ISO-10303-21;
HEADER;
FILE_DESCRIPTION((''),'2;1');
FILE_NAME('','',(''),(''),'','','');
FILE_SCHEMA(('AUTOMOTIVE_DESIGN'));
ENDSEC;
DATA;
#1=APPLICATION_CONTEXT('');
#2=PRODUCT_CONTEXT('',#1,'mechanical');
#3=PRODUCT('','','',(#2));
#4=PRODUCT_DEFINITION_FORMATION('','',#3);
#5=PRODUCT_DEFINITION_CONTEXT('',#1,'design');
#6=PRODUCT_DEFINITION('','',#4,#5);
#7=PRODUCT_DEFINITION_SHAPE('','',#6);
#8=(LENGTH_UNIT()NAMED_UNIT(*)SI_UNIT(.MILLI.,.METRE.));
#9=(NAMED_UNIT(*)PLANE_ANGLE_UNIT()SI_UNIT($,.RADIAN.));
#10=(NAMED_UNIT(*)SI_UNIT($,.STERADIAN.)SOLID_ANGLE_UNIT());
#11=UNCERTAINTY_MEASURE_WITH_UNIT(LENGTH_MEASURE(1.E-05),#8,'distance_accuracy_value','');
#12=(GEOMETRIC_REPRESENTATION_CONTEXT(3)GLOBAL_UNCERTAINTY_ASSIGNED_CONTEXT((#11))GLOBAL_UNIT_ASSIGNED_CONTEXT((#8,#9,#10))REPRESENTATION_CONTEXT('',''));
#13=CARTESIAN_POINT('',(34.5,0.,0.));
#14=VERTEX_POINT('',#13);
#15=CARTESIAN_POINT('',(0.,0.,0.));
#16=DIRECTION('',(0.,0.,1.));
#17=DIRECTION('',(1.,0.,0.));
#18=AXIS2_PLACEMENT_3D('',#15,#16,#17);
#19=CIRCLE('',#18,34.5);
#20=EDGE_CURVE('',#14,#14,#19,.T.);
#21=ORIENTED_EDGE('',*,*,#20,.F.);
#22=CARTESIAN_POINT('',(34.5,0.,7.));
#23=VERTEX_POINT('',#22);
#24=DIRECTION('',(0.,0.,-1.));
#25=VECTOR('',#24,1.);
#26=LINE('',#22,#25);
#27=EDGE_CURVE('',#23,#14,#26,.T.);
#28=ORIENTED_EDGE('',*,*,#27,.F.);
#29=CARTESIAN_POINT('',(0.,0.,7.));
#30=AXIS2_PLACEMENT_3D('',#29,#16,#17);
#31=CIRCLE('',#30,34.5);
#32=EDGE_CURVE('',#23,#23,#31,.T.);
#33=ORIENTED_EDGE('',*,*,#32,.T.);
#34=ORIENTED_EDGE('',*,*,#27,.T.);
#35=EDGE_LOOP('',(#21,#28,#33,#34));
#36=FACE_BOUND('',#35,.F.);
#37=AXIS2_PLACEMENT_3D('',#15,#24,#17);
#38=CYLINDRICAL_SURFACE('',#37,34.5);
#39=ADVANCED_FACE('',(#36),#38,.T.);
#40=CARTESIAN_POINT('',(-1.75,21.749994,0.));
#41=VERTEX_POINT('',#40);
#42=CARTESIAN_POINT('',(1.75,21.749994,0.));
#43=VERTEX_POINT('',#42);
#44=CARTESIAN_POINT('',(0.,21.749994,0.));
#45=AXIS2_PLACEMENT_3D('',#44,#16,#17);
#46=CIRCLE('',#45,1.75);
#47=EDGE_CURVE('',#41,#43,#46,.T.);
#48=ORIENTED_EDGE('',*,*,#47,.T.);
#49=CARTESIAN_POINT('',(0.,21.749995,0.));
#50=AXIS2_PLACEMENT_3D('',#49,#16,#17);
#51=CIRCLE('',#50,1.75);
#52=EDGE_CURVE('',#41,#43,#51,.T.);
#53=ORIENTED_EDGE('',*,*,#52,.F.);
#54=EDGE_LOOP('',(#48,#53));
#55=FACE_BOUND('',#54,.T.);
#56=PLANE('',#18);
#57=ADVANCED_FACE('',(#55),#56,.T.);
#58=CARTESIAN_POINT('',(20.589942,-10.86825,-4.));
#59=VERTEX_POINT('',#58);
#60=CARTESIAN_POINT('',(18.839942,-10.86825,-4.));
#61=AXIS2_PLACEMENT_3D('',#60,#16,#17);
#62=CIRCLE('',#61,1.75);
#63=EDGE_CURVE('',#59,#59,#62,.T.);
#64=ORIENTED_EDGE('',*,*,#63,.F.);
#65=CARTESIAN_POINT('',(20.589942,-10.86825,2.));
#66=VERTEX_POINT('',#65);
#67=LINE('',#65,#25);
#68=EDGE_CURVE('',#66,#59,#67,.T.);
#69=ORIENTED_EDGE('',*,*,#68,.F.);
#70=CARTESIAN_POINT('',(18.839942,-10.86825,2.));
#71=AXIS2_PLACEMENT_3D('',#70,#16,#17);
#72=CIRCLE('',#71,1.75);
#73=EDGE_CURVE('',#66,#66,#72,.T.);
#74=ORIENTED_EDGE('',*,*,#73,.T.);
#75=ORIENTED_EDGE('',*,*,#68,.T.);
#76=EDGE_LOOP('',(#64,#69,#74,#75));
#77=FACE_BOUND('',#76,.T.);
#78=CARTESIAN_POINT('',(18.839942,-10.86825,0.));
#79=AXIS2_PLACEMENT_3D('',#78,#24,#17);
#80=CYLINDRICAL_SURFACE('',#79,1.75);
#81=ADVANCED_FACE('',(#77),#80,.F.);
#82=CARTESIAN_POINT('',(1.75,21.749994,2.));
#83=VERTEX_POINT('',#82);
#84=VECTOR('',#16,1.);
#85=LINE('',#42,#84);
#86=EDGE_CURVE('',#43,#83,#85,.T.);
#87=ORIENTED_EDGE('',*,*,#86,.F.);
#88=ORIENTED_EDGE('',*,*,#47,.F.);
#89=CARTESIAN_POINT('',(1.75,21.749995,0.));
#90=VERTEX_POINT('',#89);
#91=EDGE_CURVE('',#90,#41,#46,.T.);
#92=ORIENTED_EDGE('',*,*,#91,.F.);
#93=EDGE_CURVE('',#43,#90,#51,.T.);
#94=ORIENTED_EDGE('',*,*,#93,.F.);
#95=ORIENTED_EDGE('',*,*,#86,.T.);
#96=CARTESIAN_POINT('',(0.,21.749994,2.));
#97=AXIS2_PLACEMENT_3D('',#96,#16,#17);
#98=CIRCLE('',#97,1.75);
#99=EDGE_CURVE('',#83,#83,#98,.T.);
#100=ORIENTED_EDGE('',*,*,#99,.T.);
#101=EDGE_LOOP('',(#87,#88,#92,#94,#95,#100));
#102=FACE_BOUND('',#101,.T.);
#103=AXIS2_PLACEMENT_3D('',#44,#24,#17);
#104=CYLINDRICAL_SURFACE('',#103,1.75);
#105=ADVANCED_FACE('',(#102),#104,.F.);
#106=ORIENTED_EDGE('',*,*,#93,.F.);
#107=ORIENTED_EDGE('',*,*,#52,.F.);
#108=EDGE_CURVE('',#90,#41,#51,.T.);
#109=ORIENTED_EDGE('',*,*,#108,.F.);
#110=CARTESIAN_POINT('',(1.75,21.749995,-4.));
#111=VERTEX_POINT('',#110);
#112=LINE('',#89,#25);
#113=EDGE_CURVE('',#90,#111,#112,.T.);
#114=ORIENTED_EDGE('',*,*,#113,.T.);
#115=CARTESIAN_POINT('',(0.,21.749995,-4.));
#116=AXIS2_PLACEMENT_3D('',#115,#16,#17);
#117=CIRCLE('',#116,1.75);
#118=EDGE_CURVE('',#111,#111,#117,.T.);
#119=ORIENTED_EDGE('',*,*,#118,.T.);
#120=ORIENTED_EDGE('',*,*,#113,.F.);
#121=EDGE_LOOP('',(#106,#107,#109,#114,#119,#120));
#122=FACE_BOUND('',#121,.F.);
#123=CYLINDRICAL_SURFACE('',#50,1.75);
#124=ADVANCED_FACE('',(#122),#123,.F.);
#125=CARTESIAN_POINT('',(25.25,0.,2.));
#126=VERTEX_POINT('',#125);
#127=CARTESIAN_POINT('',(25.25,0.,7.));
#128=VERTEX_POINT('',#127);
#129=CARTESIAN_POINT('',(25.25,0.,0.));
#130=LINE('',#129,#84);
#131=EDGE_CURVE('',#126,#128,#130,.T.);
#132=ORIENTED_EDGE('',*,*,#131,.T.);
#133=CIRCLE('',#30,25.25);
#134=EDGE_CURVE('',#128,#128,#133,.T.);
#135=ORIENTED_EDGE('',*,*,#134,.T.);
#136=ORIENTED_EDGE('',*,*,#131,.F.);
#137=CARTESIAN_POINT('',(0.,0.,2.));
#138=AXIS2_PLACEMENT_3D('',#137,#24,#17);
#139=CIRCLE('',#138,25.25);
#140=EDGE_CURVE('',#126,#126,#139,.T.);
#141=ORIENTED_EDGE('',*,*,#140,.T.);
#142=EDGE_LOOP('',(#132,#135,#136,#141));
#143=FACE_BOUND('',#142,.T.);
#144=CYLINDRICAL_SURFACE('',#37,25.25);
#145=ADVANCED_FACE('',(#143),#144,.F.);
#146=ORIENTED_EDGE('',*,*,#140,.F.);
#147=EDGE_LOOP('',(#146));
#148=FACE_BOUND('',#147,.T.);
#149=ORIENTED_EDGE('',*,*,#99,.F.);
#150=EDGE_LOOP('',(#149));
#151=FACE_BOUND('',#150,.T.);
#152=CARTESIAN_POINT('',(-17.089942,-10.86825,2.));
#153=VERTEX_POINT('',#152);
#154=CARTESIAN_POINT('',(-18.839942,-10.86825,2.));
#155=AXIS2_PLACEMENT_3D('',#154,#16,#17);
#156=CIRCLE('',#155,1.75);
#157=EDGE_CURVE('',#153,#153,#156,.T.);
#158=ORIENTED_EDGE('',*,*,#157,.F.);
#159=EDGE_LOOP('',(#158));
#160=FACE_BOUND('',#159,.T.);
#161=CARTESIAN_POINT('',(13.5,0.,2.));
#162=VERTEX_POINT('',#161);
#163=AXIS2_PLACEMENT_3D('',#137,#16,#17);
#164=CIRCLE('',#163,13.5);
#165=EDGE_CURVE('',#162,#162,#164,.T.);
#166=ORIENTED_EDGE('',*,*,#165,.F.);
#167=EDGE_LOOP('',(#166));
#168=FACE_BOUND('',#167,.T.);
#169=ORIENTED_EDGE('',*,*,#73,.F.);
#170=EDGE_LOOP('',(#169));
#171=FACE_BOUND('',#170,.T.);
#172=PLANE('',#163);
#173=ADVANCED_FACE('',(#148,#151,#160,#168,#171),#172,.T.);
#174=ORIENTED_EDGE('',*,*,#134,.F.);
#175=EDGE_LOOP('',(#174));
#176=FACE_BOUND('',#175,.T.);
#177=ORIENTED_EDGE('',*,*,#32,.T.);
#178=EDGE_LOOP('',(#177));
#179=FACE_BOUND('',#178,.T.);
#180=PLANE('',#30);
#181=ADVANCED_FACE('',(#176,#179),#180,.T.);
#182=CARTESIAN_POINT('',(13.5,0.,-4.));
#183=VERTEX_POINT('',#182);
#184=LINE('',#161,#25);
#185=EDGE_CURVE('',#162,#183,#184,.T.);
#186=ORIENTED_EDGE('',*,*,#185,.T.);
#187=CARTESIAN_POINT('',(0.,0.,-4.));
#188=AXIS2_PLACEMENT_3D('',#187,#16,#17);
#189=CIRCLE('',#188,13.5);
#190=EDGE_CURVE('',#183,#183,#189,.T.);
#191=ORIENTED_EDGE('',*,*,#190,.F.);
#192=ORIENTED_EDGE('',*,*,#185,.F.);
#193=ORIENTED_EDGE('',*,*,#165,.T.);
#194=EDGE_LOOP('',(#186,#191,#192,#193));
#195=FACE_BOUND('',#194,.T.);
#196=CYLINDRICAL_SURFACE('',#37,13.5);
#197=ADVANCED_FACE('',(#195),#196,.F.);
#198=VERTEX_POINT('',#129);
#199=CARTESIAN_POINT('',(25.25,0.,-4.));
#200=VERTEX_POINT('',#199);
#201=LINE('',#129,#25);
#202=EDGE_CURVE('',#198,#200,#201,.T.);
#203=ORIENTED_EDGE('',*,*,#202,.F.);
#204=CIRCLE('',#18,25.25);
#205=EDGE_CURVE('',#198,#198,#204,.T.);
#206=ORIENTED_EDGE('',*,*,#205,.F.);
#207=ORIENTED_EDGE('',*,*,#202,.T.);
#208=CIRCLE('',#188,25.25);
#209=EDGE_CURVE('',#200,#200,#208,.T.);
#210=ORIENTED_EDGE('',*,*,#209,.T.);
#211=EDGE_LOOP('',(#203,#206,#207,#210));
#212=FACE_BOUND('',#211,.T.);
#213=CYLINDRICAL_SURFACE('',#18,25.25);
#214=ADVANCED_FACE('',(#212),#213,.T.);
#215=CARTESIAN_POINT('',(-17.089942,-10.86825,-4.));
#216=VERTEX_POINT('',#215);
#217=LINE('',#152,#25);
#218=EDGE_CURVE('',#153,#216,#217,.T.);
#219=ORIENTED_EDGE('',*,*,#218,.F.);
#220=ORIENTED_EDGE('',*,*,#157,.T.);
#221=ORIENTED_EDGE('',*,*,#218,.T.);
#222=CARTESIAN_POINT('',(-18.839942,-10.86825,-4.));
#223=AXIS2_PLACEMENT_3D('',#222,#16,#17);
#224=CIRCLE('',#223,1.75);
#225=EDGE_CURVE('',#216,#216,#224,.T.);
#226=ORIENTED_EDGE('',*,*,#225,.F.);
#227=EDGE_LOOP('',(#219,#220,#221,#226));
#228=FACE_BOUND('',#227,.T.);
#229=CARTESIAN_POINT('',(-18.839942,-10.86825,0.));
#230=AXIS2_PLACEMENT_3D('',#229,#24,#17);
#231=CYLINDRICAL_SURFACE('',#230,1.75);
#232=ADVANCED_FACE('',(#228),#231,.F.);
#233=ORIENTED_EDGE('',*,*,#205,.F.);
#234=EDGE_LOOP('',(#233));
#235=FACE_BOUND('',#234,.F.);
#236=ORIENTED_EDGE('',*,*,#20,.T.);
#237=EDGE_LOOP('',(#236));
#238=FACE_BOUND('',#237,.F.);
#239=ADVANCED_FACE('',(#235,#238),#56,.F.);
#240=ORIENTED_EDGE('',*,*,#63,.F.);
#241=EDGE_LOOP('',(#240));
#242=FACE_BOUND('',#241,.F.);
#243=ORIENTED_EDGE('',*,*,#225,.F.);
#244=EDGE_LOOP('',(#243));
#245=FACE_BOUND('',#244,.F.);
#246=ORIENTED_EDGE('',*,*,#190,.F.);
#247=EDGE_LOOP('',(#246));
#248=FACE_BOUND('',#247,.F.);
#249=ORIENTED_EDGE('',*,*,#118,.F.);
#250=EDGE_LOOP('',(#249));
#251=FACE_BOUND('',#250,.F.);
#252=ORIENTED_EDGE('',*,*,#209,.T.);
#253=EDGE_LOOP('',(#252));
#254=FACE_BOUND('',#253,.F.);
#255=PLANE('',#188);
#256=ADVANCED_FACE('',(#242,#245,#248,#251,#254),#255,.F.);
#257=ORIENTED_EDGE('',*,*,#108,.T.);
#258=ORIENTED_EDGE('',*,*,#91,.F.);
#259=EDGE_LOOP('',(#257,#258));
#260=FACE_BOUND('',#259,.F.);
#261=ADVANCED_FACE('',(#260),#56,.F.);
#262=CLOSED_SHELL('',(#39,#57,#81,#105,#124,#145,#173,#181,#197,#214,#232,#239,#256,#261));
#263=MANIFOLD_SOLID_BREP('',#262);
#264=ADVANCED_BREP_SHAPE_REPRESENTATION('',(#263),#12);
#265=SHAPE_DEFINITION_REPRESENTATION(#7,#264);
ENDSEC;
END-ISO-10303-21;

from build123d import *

# Parameters (mm, degrees)
F0_R        = 25.25
F0_R_2      = 1.75
F0_R_3      = 13.5
F1_DEPTH    = 4
F0_R_4      = 34.5
F1_FACE_R   = 25.25
F1_FACE_R_2 = 1.75
F1_FACE_R_3 = 13.5
F2_DEPTH    = 2
F3_DEPTH    = 7


with BuildPart() as f1:
    # F0 (on Top) → F1 (new body)
    with BuildSketch(Plane.XY):
        Circle(F0_R)
        with Locations((-18.839942, -10.86825)):
            Circle(F0_R_2, mode=Mode.SUBTRACT)
        with Locations((18.839942, -10.86825)):
            Circle(F0_R_2, mode=Mode.SUBTRACT)
        Circle(F0_R_3, mode=Mode.SUBTRACT)
        with Locations((0, 21.749995)):
            Circle(F0_R_2, mode=Mode.SUBTRACT)
    extrude(amount=-F1_DEPTH)

    # F0 (on Top) + F1_face (on face) → F2 (join)
    with BuildSketch(Plane.XY):
        Circle(F0_R_4)
        Circle(F0_R, mode=Mode.SUBTRACT)
    with BuildSketch(Plane(origin=(0, -9.3e-05, 0), x_dir=(1, 0, 0), z_dir=(0, 0, 1))):
        with Locations((0, 9.3e-05)):
            Circle(F1_FACE_R)
        with Locations((-18.839942, -10.868157)):
            Circle(F1_FACE_R_2, mode=Mode.SUBTRACT)
        with Locations((18.839942, -10.868157)):
            Circle(F1_FACE_R_2, mode=Mode.SUBTRACT)
        with Locations((0, 9.3e-05)):
            Circle(F1_FACE_R_3, mode=Mode.SUBTRACT)
        with Locations((0, 21.750087)):
            Circle(F1_FACE_R_2, mode=Mode.SUBTRACT)
    extrude(amount=F2_DEPTH)

    # F0 (on Top) → F3 (join)
    with BuildSketch(Plane.XY):
        Circle(F0_R_4)
        Circle(F0_R, mode=Mode.SUBTRACT)
    extrude(amount=F3_DEPTH)


solid = f1.part
